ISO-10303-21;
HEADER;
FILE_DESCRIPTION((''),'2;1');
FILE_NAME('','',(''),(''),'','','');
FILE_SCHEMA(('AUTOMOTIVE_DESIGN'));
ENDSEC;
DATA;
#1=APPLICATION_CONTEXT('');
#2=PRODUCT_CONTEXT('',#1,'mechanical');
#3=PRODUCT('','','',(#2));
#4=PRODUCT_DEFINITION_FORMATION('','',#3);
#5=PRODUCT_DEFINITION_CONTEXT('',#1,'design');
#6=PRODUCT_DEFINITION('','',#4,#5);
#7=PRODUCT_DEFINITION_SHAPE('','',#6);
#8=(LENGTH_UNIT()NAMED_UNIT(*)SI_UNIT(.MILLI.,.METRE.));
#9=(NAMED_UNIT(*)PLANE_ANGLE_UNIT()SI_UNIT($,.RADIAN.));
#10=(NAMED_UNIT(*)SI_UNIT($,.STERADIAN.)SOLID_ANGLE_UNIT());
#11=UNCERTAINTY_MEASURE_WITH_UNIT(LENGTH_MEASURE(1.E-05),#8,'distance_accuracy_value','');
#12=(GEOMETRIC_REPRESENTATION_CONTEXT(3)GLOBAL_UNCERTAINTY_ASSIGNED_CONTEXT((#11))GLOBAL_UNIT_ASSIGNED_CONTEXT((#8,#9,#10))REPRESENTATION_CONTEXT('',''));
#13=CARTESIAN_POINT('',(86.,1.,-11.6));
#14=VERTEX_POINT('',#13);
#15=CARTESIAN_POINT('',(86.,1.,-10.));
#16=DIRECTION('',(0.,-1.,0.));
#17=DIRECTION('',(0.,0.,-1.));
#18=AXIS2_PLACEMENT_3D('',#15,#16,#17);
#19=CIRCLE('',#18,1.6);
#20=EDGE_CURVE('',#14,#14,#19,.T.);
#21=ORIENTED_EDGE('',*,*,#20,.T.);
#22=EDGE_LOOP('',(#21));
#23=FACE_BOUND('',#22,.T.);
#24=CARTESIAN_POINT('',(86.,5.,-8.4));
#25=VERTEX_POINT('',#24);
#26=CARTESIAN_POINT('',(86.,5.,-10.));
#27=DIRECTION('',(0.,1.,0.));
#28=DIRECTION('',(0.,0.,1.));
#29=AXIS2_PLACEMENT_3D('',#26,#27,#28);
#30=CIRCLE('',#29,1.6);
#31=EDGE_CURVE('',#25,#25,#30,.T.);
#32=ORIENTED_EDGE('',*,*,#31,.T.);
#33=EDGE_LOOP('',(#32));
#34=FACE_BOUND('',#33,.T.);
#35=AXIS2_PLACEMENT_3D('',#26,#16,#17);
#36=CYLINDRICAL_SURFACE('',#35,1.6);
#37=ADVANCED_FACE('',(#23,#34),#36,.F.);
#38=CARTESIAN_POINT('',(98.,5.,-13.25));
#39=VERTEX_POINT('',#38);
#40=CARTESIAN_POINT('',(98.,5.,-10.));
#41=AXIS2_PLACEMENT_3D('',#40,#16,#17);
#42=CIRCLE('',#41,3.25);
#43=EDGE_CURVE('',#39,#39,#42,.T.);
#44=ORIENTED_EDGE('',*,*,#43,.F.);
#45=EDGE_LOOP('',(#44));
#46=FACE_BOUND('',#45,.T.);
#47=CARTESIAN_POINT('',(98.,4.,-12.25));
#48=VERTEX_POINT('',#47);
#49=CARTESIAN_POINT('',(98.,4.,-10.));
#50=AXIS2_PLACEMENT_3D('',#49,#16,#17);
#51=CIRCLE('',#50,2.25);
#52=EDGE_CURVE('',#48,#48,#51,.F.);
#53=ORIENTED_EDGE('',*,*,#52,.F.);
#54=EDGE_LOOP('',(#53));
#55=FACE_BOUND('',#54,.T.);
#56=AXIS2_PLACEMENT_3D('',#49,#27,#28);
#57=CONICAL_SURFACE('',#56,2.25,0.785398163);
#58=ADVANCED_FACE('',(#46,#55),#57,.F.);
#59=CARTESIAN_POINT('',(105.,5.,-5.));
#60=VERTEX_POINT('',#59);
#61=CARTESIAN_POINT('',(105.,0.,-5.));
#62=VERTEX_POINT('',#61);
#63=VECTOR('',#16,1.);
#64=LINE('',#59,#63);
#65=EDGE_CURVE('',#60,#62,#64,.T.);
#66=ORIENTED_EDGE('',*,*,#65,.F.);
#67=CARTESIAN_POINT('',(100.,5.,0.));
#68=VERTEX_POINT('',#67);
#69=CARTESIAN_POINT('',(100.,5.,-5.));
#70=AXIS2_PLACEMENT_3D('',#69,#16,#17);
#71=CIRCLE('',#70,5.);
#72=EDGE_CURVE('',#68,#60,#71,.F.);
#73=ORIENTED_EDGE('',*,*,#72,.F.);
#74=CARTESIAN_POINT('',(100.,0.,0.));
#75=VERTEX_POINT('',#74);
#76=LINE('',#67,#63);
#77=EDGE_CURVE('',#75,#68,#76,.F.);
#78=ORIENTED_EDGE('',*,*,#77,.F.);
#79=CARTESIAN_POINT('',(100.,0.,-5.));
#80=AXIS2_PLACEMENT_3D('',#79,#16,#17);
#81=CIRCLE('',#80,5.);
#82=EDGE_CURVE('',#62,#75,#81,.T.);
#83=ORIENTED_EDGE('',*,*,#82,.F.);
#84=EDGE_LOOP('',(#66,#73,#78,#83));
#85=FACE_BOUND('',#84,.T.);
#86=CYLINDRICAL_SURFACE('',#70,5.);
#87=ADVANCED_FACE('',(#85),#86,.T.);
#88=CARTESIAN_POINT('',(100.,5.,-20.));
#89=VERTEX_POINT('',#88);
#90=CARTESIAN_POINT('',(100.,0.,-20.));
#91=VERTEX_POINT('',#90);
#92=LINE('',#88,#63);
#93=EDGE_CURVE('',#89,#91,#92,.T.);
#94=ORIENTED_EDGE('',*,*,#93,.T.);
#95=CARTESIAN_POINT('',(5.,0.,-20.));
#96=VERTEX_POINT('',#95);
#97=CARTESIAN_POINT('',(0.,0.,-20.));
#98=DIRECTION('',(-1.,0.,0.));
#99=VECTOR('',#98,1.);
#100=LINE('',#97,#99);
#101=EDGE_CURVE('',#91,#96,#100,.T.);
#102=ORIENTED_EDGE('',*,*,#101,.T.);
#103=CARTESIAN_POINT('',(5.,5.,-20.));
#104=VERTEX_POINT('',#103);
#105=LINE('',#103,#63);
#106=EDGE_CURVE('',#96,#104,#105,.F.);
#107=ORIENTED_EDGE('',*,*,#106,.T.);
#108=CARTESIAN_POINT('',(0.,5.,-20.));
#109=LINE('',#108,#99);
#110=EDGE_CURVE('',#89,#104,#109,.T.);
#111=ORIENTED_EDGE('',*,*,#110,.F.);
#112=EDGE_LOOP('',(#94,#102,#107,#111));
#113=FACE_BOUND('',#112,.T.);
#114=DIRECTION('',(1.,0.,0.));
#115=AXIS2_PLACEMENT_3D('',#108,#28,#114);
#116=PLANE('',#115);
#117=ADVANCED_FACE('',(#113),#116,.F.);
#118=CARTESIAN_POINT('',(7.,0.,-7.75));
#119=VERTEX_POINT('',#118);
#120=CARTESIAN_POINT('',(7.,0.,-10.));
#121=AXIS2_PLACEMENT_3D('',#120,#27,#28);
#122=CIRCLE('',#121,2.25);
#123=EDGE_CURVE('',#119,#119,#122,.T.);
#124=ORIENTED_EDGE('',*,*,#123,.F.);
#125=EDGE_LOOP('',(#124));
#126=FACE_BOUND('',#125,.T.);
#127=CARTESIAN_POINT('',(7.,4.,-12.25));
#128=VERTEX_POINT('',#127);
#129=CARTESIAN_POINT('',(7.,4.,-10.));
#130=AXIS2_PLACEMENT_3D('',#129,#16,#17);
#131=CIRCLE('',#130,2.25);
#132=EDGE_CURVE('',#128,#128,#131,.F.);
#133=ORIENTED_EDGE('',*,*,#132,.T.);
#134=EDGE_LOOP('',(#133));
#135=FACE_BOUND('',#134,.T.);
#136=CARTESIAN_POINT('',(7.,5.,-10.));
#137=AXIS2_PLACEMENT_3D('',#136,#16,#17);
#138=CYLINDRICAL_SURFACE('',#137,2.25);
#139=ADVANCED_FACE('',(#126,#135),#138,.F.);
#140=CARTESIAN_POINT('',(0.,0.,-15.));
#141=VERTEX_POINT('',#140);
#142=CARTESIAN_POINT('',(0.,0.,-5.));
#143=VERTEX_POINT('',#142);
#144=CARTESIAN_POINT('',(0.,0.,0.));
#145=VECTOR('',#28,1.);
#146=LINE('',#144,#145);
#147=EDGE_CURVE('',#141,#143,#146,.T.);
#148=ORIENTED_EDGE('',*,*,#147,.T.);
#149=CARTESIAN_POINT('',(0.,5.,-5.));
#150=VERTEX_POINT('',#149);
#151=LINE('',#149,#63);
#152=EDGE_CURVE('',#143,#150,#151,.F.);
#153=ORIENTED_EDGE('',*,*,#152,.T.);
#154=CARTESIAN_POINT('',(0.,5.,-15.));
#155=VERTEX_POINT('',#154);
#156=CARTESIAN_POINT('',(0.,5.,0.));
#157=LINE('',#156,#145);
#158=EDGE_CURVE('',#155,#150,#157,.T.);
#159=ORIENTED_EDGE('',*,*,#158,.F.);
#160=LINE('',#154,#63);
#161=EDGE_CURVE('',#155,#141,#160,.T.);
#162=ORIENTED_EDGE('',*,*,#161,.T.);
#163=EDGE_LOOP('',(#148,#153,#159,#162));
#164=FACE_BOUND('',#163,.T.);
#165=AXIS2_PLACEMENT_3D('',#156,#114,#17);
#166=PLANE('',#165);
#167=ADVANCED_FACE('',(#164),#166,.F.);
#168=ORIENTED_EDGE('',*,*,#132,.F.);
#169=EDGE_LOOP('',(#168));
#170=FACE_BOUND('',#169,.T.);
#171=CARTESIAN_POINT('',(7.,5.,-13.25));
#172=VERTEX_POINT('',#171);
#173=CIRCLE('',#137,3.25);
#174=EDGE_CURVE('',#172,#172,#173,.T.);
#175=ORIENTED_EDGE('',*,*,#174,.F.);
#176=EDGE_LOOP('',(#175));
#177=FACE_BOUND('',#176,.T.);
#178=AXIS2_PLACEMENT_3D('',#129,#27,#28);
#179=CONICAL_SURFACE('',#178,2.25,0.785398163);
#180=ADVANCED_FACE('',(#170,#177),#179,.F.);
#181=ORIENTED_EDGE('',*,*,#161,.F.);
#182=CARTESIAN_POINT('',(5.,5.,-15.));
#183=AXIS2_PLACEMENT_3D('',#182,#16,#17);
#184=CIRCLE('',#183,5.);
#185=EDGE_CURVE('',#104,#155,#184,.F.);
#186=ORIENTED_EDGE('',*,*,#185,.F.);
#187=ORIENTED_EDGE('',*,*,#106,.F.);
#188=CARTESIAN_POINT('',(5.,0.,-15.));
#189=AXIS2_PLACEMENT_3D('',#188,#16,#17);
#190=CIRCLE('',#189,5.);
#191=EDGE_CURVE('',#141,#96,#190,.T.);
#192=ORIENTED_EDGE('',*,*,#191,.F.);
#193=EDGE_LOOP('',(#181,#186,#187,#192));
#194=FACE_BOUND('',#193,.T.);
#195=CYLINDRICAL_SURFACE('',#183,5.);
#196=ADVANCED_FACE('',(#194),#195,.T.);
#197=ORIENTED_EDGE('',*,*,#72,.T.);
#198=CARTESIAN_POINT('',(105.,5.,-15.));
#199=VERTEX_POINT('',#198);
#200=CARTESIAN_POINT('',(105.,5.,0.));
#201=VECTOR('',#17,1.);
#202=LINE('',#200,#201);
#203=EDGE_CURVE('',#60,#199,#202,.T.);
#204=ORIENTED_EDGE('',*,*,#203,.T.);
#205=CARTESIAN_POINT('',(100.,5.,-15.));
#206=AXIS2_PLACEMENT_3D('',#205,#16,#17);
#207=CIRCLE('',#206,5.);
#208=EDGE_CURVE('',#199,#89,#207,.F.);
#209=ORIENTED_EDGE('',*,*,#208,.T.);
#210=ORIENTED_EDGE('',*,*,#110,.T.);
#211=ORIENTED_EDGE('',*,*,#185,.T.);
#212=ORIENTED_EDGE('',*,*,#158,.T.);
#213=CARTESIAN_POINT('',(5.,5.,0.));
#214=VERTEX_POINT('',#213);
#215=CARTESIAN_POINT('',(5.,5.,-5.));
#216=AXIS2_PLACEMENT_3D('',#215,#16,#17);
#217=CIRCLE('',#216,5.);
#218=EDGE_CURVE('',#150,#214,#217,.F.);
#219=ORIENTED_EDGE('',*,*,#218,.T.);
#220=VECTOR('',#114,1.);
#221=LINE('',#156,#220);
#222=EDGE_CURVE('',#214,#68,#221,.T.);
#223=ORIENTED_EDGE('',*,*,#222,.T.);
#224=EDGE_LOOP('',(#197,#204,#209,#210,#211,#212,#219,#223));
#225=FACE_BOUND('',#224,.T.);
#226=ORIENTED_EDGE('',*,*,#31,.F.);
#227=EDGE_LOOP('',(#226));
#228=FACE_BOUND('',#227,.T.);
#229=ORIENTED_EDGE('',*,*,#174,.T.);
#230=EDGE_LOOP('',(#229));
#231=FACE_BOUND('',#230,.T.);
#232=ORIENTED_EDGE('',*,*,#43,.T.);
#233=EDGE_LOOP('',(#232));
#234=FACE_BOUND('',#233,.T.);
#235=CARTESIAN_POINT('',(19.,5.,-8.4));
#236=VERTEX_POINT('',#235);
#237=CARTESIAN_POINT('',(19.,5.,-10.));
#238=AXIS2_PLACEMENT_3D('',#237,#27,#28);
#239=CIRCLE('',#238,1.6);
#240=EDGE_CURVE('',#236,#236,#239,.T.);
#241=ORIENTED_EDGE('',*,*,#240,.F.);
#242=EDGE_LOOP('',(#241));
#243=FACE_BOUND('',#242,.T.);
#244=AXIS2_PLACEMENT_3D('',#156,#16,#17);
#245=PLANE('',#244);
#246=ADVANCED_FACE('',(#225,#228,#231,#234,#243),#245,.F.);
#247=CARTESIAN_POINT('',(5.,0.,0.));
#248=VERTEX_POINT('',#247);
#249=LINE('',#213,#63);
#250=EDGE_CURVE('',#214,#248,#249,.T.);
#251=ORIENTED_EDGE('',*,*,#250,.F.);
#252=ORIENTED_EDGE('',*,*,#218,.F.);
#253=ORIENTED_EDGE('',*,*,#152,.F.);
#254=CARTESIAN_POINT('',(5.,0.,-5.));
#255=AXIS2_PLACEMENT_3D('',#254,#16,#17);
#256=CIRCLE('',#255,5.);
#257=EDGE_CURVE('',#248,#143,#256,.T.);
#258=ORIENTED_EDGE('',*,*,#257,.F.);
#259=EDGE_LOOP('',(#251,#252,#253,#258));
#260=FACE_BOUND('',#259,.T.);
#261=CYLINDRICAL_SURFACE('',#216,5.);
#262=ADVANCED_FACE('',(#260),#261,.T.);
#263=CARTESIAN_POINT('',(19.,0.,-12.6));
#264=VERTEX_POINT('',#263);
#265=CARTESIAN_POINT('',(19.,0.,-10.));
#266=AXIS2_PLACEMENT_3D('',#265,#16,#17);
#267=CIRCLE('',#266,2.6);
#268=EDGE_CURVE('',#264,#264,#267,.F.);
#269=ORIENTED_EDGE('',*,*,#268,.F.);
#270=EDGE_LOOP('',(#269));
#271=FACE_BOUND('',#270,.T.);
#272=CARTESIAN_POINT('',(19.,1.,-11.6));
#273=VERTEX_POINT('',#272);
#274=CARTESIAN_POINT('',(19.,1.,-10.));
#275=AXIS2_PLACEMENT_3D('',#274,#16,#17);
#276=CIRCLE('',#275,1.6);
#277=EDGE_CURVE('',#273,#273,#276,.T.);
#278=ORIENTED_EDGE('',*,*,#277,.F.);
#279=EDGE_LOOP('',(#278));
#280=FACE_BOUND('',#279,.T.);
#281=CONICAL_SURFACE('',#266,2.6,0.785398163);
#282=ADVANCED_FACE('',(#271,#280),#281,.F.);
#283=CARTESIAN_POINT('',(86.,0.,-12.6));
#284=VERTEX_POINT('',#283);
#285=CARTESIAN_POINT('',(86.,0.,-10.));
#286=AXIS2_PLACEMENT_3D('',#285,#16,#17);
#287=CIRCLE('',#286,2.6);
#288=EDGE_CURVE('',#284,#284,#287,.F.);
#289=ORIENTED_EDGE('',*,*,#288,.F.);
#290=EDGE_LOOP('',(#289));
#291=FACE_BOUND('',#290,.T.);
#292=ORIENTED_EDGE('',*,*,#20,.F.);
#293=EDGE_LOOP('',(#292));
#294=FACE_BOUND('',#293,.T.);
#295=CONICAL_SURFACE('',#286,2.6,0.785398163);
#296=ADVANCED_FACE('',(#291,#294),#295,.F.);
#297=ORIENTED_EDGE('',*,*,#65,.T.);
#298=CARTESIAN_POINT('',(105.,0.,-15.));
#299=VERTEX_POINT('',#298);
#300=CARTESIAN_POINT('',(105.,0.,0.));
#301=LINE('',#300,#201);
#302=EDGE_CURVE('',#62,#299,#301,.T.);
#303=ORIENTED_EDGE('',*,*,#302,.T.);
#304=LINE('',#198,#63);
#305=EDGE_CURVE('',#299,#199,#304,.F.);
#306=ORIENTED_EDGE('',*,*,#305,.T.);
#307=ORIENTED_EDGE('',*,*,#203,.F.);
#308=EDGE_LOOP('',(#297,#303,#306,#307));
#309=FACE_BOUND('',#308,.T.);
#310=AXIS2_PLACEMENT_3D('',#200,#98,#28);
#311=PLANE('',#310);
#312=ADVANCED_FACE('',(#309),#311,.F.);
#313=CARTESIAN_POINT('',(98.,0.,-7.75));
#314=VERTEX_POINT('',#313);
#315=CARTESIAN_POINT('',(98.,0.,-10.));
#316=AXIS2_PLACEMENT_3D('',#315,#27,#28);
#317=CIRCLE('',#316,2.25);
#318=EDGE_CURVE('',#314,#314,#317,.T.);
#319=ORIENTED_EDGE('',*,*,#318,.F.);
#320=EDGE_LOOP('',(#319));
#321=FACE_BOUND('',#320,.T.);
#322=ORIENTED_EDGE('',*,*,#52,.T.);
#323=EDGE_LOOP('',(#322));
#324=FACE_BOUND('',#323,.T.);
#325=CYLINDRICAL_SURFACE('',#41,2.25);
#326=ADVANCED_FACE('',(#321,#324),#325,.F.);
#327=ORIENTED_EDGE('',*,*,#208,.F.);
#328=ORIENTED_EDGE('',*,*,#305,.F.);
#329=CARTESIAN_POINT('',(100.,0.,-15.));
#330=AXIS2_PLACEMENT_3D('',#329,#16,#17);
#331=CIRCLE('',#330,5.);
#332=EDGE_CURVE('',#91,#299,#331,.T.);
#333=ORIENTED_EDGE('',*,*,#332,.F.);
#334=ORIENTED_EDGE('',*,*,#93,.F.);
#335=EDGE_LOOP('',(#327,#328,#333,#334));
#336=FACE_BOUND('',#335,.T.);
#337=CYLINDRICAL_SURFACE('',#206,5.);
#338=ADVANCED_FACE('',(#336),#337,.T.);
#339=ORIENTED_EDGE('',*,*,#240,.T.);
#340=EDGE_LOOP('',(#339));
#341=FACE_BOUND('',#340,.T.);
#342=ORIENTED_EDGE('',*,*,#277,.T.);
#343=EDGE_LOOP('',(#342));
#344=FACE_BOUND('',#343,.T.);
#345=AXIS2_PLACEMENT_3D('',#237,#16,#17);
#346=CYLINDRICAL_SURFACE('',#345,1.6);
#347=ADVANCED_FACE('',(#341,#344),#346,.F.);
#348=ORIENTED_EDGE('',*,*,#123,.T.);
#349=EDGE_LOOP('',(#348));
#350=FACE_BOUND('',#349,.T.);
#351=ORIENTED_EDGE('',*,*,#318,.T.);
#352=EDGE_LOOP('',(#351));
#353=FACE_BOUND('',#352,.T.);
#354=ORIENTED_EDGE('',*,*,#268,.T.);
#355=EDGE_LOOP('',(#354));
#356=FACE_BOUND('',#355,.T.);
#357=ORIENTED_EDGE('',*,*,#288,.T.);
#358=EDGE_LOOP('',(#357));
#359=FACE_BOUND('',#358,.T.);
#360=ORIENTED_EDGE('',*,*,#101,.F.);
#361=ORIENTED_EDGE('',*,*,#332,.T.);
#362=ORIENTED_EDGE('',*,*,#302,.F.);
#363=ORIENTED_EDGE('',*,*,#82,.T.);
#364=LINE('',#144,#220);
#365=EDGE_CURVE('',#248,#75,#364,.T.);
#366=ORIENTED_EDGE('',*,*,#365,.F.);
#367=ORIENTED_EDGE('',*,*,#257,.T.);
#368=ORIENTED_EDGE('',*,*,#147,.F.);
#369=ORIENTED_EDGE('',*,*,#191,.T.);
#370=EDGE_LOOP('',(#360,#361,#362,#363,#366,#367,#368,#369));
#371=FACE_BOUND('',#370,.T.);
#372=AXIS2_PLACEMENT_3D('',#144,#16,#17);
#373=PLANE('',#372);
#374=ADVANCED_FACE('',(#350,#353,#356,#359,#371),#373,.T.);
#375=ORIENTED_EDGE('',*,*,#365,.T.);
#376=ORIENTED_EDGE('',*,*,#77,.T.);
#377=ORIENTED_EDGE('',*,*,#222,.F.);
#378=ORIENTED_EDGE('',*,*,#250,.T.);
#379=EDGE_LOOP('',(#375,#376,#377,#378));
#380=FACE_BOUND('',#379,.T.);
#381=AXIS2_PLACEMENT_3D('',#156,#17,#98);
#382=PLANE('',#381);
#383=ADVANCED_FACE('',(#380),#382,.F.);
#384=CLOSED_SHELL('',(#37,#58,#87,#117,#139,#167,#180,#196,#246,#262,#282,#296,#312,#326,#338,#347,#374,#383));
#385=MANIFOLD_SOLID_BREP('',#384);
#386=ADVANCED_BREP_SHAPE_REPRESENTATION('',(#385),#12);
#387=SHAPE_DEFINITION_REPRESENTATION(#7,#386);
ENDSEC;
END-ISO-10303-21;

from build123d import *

# Parameters (mm, degrees)
SKETCH_1_W      = 105
SKETCH_1_H      = 20
SKETCH_1_R      = 1.6
SKETCH_1_R_2    = 2.25
EXTRUDE_1_DEPTH = 5
FILLET_2_R      = 5
CHAMFER_1_SIZE  = 1
CHAMFER_2_SIZE  = 1


with BuildPart() as part:
    # Эскиз1 → Бобышка-Вытянуть1 (new body)
    with BuildSketch(Plane(origin=(0, 0, 0), x_dir=(1, 0, 0), z_dir=(0, 1, 0))):
        with Locations((52.5, 10)):
            Rectangle(SKETCH_1_W, SKETCH_1_H)
        with Locations((19, 10)):
            Circle(SKETCH_1_R, mode=Mode.SUBTRACT)
        with Locations((86, 10)):
            Circle(SKETCH_1_R, mode=Mode.SUBTRACT)
        with Locations((7, 10)):
            Circle(SKETCH_1_R_2, mode=Mode.SUBTRACT)
        with Locations((98, 10)):
            Circle(SKETCH_1_R_2, mode=Mode.SUBTRACT)
    extrude(amount=EXTRUDE_1_DEPTH)

    # Скругление2
    fillet_2_edges = [part.edges().sort_by_distance(p)[0] for p in [
        (0, 2.5, -20),
        (105, 2.5, -20),
        (105, 2.5, 0),
        (0, 2.5, 0),
    ]]
    fillet(fillet_2_edges, radius=FILLET_2_R)

    # Фаска1
    chamfer_1_edges = [part.edges().sort_by_distance(p)[0] for p in [
        (4.75, 5, -10),
        (95.75, 5, -10),
    ]]
    chamfer(chamfer_1_edges, length=CHAMFER_1_SIZE)

    # Фаска2
    chamfer_2_edges = [part.edges().sort_by_distance(p)[0] for p in [
        (17.4, 0, -10),
        (84.4, 0, -10),
    ]]
    chamfer(chamfer_2_edges, length=CHAMFER_2_SIZE)


solid = part.part
